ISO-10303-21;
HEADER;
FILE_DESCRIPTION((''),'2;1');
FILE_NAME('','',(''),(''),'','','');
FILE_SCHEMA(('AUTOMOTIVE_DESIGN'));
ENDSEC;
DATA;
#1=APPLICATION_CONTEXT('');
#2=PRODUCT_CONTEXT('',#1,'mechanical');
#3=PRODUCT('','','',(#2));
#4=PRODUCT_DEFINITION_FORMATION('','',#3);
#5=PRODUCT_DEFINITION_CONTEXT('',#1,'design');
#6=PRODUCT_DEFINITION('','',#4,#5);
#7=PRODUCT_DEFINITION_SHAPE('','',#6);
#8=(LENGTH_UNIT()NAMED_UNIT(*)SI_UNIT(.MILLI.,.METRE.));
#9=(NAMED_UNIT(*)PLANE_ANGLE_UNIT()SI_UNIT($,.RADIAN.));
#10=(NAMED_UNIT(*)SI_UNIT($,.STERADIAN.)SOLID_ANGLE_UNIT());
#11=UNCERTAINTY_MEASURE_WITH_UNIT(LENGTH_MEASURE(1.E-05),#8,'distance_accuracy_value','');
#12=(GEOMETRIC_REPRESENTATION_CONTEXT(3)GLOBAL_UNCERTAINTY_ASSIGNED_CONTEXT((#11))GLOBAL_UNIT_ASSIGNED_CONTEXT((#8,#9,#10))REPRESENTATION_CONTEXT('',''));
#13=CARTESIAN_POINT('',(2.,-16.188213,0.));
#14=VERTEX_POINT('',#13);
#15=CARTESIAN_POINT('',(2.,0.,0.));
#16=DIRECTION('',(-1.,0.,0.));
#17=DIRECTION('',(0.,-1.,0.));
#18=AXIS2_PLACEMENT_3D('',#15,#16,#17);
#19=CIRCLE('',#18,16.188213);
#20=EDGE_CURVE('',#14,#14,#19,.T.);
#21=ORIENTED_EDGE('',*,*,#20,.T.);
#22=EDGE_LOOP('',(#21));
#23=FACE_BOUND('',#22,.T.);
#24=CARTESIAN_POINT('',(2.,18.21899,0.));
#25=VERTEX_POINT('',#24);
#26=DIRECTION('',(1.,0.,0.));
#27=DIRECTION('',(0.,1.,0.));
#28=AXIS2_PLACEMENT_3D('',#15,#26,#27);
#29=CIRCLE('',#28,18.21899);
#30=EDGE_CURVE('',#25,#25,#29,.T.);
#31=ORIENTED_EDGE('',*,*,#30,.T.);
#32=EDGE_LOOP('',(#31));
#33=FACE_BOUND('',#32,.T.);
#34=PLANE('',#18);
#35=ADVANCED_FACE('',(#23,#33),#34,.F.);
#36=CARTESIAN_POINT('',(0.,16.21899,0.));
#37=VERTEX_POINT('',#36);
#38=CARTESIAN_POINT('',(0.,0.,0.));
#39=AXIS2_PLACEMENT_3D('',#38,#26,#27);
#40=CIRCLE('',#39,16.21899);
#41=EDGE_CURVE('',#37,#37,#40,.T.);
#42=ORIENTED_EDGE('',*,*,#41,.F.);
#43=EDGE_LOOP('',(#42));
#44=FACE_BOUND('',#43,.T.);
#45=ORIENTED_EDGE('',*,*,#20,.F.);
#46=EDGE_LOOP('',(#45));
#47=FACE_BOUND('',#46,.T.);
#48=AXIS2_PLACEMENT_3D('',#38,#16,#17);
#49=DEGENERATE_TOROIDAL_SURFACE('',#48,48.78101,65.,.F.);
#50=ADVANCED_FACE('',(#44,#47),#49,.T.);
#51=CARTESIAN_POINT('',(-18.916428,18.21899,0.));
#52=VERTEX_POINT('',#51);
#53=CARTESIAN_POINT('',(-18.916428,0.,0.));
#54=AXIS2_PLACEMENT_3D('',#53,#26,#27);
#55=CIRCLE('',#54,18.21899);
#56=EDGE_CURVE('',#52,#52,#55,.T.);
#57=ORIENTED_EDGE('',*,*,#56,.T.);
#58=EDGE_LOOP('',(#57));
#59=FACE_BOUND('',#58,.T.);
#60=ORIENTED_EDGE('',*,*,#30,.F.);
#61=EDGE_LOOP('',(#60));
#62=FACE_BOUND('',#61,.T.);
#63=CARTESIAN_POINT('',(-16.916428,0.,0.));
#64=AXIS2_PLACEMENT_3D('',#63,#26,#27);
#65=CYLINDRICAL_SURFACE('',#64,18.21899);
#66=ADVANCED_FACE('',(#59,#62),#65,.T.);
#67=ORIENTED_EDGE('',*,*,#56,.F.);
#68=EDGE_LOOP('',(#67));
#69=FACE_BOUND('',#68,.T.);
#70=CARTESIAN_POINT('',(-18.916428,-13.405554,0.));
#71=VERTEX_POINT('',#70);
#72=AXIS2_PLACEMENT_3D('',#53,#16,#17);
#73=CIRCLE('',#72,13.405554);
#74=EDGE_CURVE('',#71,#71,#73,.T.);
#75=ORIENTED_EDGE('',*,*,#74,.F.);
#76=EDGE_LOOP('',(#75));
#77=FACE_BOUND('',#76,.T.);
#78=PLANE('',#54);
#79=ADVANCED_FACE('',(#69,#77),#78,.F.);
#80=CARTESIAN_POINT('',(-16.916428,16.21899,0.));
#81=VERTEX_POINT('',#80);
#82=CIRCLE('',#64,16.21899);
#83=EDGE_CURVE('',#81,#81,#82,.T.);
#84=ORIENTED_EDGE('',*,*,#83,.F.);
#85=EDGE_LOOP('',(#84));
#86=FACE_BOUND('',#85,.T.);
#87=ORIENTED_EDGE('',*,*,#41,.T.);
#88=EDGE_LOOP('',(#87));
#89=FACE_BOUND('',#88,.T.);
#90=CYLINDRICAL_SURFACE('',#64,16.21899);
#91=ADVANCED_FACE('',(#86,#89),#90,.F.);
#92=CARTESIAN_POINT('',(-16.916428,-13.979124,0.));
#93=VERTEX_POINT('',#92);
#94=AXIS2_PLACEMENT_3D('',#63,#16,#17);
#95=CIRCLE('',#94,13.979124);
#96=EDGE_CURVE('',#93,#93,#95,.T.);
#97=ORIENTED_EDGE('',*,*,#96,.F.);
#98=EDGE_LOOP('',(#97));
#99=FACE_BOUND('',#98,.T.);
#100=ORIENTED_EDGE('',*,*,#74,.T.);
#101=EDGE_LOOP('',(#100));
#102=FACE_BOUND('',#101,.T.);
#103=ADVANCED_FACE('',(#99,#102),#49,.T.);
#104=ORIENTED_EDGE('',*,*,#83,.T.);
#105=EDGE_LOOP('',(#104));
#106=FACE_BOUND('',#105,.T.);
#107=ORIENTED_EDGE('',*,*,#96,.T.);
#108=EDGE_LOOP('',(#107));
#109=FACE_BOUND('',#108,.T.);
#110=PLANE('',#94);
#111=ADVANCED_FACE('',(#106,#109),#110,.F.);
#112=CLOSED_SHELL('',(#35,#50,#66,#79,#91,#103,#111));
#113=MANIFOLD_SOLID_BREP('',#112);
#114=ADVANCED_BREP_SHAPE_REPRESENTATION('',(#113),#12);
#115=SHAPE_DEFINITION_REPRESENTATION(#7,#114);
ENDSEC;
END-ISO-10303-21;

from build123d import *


with BuildPart() as part:
    # Sketch2 → Revolve1 (revolve)
    with BuildSketch(Plane.XY):
        Polygon((-18.916428128, 0), (-18.916428128, -13.404553802), (-18.916428128, -18.218989764), (0, -18.218989764), (2, -18.218989764), (2, 0), (0, 0), (0, -16.217989764), (0, -16.218989764), (-16.916428128, -16.218989764), (-16.916428128, 0), align=None)
    revolve(axis=Axis((-16.916428128, 0, 0), (-1, 0, 0)))

    # Sketch5 → Cut-Revolve2 (revolve, cut)
    with BuildSketch(Plane.XY):
        with BuildLine():
            Line((-18.916428128, 0), (-18.916428128, -13.404553802))
            Line((-18.916428128, -13.404553802), (-18.916428128, -13.405553802))
            ThreePointArc((-18.916428128, -13.405553802), (-8.571883314, -15.651301661), (2, -16.188213247))
            Line((2, -16.188213247), (2, 0))
            Line((2, 0), (-18.916428128, 0))
        make_face()
    revolve(axis=Axis((-18.916428128, 0, 0), (1, 0, 0)), mode=Mode.SUBTRACT)


solid = part.part
